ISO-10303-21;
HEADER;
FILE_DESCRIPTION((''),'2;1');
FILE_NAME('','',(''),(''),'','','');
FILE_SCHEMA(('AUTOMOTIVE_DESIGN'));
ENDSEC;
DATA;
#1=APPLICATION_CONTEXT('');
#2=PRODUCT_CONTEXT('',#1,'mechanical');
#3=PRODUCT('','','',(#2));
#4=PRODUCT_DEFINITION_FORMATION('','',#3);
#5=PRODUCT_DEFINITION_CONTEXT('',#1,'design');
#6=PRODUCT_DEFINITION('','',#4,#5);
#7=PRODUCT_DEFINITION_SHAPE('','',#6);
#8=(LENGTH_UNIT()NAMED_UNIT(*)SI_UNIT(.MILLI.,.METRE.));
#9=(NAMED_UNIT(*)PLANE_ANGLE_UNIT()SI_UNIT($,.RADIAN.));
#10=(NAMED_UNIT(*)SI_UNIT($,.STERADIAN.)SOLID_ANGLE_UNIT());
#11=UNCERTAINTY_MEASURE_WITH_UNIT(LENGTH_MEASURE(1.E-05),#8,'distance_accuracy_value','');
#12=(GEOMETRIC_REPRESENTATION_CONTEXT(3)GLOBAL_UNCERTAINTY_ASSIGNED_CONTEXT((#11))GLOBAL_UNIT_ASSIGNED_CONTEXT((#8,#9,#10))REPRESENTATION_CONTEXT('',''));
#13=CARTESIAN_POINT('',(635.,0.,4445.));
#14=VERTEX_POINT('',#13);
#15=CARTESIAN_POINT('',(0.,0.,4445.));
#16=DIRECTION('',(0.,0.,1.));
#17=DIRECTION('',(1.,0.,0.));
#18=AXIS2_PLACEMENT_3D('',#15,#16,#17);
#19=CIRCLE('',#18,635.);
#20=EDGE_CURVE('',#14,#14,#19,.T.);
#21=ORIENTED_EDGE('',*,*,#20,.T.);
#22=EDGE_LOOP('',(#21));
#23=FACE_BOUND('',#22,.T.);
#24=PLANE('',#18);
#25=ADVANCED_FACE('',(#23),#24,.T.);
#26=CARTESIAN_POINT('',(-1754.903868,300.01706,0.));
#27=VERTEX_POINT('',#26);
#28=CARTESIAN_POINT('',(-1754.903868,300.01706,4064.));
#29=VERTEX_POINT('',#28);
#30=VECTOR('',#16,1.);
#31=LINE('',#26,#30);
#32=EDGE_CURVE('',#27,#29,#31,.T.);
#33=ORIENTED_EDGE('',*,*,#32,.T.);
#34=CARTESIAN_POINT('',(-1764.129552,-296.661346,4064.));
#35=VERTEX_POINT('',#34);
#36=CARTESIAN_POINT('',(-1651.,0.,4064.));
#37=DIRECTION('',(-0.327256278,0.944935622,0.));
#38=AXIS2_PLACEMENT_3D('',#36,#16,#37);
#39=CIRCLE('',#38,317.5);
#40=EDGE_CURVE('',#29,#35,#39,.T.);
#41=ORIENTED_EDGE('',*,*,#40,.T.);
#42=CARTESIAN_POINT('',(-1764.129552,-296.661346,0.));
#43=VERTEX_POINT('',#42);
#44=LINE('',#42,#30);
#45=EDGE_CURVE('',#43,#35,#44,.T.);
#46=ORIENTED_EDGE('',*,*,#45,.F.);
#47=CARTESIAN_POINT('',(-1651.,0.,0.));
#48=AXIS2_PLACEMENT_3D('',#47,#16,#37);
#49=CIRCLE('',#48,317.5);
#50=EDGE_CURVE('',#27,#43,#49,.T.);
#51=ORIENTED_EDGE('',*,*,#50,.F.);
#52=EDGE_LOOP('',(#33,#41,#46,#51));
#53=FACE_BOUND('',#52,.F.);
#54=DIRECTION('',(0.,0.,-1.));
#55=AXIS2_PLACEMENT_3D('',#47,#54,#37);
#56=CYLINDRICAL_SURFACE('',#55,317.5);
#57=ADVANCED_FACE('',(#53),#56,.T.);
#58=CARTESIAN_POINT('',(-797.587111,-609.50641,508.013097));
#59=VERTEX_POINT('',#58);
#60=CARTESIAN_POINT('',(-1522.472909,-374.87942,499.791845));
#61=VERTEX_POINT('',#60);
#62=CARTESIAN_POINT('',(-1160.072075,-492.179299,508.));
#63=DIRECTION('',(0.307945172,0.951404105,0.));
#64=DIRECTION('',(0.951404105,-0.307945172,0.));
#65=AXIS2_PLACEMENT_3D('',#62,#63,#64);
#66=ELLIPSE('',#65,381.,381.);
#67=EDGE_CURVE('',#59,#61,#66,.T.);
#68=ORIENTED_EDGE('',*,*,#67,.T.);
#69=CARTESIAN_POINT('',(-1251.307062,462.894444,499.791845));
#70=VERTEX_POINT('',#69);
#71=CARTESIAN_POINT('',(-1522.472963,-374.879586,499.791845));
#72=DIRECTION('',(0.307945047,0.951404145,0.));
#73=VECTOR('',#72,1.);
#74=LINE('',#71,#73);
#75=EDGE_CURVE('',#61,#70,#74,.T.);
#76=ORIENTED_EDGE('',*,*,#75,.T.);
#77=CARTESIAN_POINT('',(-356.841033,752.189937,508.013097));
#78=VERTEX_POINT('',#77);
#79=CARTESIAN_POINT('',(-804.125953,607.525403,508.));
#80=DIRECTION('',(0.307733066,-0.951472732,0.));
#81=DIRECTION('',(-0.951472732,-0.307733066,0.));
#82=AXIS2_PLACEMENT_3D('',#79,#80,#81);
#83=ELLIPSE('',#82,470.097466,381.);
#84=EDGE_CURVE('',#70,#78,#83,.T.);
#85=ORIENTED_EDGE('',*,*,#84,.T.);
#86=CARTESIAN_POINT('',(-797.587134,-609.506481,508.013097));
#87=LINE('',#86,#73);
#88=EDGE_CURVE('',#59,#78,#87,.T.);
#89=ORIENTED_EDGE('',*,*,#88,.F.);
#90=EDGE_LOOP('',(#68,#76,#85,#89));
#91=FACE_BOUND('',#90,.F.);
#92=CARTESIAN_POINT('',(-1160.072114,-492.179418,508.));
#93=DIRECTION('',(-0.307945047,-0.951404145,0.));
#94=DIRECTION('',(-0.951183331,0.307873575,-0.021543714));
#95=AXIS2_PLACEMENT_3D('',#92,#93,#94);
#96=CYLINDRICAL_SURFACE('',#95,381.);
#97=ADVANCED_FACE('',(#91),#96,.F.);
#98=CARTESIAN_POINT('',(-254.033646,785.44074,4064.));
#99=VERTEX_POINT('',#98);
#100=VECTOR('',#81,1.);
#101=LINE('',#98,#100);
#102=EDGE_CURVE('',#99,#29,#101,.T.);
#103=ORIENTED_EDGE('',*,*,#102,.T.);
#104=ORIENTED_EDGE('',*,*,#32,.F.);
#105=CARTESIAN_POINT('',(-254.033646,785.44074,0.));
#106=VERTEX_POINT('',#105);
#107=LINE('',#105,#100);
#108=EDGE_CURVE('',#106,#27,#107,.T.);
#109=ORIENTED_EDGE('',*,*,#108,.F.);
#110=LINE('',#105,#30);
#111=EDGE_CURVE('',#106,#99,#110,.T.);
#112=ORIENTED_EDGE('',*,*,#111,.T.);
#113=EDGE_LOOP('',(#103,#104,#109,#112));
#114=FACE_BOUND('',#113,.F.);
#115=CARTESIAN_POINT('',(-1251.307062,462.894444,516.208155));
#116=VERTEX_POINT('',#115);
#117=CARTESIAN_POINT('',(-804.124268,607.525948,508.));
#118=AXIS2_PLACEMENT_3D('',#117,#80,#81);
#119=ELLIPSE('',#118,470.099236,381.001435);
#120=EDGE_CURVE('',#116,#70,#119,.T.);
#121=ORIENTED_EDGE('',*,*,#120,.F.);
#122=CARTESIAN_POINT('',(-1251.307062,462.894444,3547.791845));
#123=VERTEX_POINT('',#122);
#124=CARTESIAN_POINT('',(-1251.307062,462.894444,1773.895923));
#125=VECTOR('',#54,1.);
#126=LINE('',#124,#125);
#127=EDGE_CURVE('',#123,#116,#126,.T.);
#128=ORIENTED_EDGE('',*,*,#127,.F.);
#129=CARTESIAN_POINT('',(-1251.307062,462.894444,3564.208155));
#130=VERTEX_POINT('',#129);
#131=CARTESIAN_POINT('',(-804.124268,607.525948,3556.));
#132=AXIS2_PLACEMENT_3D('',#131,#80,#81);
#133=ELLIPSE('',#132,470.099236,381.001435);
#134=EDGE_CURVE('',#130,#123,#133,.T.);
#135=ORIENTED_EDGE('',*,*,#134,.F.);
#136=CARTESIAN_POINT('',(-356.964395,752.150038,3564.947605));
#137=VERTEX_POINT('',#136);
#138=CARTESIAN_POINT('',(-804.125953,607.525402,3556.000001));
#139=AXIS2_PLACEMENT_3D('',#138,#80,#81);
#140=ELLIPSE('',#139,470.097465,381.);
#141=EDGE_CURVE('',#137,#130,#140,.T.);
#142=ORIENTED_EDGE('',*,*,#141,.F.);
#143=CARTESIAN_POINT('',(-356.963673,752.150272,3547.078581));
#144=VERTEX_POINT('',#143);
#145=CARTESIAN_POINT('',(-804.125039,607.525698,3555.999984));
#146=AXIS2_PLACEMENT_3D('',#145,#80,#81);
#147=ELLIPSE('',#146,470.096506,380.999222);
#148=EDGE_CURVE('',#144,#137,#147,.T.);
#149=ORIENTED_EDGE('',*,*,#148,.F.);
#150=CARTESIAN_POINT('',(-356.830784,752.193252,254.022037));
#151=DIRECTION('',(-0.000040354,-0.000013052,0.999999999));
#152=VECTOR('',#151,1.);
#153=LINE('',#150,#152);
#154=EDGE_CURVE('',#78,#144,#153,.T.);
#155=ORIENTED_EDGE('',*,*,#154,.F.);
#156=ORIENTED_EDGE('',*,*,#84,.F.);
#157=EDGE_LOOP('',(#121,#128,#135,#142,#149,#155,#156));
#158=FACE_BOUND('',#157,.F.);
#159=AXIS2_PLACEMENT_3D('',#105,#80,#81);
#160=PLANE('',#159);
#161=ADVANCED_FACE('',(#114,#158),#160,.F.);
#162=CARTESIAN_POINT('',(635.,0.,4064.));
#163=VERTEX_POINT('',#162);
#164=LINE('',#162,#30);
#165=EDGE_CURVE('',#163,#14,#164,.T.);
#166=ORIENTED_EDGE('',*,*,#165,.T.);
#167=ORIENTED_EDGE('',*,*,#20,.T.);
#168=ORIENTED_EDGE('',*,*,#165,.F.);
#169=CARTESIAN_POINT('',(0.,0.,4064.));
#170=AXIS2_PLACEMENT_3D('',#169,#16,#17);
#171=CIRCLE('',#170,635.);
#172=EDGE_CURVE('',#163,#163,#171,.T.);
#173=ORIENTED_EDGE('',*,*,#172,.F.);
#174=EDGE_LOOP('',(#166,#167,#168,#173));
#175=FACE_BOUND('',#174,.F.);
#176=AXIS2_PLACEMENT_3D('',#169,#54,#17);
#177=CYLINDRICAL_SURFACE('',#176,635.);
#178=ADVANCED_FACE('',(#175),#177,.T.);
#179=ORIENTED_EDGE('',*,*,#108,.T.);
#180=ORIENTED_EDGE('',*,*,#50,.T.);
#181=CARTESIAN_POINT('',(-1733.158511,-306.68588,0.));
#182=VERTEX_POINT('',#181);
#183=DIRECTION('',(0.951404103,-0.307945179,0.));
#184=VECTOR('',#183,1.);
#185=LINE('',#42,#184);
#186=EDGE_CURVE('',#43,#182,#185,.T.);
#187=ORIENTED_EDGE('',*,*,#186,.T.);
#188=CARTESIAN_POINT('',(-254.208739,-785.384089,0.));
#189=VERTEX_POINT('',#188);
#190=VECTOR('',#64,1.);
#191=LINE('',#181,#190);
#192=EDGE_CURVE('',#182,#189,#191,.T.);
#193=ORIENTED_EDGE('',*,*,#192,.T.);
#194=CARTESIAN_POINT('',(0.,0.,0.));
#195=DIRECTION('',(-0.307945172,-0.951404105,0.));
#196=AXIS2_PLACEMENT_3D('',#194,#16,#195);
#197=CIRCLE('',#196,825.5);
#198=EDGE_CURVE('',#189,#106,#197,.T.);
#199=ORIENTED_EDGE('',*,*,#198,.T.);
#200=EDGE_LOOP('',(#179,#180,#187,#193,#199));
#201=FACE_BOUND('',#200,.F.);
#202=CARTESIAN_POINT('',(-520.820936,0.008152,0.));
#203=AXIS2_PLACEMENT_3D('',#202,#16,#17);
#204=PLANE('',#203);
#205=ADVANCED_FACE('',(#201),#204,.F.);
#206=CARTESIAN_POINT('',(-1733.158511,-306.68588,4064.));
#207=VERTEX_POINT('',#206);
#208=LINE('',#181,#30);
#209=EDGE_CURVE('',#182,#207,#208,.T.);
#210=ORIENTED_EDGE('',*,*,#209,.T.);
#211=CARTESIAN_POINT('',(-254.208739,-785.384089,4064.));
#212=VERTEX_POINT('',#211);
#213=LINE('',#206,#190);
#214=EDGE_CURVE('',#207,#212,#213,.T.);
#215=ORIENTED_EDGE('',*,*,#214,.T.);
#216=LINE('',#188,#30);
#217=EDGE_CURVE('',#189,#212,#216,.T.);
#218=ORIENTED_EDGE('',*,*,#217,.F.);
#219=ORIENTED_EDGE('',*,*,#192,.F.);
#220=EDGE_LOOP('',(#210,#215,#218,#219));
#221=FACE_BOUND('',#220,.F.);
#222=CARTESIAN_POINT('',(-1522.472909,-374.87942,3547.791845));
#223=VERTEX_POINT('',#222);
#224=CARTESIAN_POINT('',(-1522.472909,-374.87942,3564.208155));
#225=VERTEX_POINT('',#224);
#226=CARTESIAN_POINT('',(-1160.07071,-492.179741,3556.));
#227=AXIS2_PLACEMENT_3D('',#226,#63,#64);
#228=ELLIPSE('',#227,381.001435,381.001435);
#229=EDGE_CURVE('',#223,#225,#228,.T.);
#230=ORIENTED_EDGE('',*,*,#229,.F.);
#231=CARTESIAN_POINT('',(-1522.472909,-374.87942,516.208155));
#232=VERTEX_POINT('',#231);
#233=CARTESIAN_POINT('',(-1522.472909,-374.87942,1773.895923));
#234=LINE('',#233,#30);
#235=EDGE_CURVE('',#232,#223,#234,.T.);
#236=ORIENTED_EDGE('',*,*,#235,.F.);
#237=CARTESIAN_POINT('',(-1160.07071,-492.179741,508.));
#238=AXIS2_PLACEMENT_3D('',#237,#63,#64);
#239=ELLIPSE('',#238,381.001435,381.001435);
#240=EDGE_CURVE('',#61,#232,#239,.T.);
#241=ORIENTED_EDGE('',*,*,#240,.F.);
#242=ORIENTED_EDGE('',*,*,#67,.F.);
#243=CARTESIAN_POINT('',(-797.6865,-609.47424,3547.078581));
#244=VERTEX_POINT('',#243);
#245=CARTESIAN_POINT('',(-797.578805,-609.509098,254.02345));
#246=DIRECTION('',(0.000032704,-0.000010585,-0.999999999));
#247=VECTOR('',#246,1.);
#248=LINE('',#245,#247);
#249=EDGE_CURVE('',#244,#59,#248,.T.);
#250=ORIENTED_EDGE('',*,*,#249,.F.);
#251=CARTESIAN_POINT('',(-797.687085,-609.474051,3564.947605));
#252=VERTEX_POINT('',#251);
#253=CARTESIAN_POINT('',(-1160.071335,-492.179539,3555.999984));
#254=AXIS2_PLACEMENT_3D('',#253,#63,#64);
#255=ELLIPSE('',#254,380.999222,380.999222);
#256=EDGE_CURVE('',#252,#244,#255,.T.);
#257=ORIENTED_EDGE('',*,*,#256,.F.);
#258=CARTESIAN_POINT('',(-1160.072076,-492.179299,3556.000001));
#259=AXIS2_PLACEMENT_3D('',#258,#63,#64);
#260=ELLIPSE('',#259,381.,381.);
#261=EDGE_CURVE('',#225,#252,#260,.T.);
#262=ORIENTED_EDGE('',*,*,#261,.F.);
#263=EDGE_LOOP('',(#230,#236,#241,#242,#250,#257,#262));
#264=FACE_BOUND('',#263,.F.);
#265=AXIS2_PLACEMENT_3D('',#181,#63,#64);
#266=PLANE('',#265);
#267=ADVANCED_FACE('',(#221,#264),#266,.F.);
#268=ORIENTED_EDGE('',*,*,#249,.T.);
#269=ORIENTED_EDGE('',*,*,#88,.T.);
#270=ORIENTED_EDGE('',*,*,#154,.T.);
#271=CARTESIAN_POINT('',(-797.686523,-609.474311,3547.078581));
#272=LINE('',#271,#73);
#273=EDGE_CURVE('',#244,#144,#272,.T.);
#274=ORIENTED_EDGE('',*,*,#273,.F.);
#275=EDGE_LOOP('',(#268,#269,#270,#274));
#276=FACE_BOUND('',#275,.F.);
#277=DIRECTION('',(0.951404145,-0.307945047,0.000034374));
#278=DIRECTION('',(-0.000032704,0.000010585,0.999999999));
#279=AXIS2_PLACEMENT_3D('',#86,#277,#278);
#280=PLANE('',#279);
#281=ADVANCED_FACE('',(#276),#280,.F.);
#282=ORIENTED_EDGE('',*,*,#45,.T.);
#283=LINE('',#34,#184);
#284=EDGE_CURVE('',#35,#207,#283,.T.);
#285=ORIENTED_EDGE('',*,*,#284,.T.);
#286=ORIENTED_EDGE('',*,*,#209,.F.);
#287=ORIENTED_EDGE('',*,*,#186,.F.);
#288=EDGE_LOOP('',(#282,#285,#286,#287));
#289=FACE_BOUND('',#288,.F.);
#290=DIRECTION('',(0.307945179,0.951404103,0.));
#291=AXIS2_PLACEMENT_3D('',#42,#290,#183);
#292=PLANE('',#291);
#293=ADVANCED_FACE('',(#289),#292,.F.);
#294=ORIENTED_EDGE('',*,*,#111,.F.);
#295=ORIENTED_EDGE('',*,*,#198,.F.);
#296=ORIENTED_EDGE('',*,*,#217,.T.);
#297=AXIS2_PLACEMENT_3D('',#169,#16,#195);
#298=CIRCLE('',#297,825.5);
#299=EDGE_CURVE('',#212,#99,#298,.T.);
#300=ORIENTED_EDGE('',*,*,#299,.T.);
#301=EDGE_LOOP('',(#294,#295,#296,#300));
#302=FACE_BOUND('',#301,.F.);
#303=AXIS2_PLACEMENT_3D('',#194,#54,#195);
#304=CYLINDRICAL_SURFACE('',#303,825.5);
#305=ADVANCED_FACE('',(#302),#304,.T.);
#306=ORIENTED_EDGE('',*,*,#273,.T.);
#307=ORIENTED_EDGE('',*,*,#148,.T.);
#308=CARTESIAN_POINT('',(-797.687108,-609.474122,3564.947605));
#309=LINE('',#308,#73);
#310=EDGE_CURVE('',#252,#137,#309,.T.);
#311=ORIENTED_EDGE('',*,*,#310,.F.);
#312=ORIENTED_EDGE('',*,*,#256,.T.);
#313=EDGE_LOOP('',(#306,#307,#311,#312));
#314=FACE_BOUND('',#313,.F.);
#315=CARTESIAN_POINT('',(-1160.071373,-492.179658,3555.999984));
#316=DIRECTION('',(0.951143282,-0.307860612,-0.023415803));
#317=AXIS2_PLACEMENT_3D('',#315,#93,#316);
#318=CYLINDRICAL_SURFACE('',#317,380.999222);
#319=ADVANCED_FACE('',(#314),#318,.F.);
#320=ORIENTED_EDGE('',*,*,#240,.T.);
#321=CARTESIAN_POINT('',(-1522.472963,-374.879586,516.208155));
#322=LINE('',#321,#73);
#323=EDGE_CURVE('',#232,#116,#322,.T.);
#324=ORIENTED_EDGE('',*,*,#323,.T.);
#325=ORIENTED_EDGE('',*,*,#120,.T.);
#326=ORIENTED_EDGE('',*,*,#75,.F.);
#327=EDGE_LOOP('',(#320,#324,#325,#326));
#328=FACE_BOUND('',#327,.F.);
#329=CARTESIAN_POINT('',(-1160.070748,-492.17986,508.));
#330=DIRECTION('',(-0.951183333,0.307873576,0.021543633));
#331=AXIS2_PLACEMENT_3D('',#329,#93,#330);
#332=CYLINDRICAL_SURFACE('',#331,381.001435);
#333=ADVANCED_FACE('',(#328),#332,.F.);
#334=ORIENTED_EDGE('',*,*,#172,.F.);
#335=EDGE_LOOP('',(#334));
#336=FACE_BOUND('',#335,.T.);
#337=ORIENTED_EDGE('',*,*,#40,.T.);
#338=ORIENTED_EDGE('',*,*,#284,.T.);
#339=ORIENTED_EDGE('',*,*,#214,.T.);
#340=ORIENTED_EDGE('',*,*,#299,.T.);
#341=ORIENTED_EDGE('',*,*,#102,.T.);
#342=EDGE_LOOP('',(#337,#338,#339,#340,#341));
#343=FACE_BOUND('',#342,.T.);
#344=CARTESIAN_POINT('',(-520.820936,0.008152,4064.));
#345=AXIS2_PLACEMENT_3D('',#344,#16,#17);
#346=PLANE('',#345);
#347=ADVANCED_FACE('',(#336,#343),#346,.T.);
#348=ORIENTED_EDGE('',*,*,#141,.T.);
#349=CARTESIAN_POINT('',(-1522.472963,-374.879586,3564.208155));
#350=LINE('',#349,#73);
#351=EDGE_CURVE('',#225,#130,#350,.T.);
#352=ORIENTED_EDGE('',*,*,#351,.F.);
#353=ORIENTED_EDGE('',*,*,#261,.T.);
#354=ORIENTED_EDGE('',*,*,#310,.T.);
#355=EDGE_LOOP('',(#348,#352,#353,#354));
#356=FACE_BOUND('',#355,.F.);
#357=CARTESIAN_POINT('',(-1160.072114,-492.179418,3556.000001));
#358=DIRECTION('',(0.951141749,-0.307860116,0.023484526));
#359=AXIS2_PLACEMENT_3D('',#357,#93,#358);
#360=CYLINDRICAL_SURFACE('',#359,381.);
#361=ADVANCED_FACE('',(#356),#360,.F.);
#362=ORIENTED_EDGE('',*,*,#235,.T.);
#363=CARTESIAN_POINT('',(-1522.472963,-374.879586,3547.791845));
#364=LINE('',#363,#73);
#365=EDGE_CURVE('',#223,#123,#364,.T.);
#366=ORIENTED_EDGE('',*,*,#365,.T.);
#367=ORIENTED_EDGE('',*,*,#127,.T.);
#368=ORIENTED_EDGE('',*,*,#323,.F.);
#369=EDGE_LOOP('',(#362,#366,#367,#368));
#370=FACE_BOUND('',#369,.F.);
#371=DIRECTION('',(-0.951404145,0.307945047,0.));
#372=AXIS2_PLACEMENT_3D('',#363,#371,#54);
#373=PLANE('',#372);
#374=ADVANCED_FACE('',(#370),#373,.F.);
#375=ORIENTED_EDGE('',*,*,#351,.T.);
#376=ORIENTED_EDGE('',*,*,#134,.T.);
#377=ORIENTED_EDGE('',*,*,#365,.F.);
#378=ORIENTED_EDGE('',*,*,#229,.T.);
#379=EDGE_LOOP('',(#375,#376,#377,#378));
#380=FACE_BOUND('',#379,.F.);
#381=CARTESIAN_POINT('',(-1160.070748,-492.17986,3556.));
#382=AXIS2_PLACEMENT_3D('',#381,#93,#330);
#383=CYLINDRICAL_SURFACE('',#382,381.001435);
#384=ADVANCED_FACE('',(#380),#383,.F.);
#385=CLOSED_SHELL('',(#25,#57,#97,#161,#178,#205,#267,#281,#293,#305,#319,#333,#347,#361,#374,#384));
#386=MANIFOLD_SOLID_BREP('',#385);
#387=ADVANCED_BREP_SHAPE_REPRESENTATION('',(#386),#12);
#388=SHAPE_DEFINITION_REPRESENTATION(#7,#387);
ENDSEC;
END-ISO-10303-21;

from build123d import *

# Parameters (mm, degrees)
F1_DEPTH = 4064
F3_DEPTH = 1865.093828
F4_R     = 635
F5_DEPTH = 381


with BuildPart() as f1:
    # F0 (on Top) → F1 (new body)
    with BuildSketch(Plane.XY):
        with BuildLine():
            Line((-1733.158511, -306.68588), (-254.208739, -785.384089))
            ThreePointArc((-254.208739, -785.384089), (825.499995, -0.092015), (-254.033646, 785.44074))
            Line((-254.033646, 785.44074), (-1754.903868, 300.01706))
            ThreePointArc((-1754.903868, 300.01706), (-1968.462055, 4.908515), (-1764.129552, -296.661346))
            Line((-1764.129552, -296.661346), (-1733.158511, -306.68588))
        make_face()
    extrude(amount=F1_DEPTH)

    # F2 (on face) → F3 (cut, through all)
    with BuildSketch(Plane(origin=(-254.208739, -785.384089, 0), x_dir=(0.951404, -0.307945, 0), z_dir=(-0.307945, -0.951404, 0))):
        with BuildLine():
            Line((-571.238176, 3564.947605), (-571.237561, 3547.078581))
            ThreePointArc((-571.237561, 3547.078581), (-571.133096, 3556.013097), (-571.238176, 3564.947605))
        make_face()
        with BuildLine():
            Line((-571.133096, 508.013097), (-571.237561, 3547.078581))
            Line((-571.237561, 3547.078581), (-571.238176, 3564.947605))
            ThreePointArc((-571.238176, 3564.947605), (-952.502915, 3936.999821), (-1333.044669, 3564.208155))
            Line((-1333.044669, 3564.208155), (-1333.044669, 3547.791845))
            Line((-1333.044669, 3547.791845), (-1333.044669, 516.208155))
            Line((-1333.044669, 516.208155), (-1333.044669, 499.791845))
            ThreePointArc((-1333.044669, 499.791845), (-948.022232, 127.022178), (-571.133096, 508.013097))
        make_face()
        with BuildLine():
            Line((-1333.044669, 3547.791845), (-1333.044669, 3564.208155))
            ThreePointArc((-1333.044669, 3564.208155), (-1333.133096, 3556), (-1333.044669, 3547.791845))
        make_face()
        with BuildLine():
            ThreePointArc((-1333.044669, 516.208155), (-1333.133096, 508), (-1333.044669, 499.791845))
            Line((-1333.044669, 499.791845), (-1333.044669, 516.208155))
        make_face()
    extrude(amount=-F3_DEPTH, mode=Mode.SUBTRACT)

    # F4 (on face) → F5 (join)
    with BuildSketch(Plane.XY.offset(4064)):
        Circle(F4_R)
    extrude(amount=F5_DEPTH)


solid = f1.part
